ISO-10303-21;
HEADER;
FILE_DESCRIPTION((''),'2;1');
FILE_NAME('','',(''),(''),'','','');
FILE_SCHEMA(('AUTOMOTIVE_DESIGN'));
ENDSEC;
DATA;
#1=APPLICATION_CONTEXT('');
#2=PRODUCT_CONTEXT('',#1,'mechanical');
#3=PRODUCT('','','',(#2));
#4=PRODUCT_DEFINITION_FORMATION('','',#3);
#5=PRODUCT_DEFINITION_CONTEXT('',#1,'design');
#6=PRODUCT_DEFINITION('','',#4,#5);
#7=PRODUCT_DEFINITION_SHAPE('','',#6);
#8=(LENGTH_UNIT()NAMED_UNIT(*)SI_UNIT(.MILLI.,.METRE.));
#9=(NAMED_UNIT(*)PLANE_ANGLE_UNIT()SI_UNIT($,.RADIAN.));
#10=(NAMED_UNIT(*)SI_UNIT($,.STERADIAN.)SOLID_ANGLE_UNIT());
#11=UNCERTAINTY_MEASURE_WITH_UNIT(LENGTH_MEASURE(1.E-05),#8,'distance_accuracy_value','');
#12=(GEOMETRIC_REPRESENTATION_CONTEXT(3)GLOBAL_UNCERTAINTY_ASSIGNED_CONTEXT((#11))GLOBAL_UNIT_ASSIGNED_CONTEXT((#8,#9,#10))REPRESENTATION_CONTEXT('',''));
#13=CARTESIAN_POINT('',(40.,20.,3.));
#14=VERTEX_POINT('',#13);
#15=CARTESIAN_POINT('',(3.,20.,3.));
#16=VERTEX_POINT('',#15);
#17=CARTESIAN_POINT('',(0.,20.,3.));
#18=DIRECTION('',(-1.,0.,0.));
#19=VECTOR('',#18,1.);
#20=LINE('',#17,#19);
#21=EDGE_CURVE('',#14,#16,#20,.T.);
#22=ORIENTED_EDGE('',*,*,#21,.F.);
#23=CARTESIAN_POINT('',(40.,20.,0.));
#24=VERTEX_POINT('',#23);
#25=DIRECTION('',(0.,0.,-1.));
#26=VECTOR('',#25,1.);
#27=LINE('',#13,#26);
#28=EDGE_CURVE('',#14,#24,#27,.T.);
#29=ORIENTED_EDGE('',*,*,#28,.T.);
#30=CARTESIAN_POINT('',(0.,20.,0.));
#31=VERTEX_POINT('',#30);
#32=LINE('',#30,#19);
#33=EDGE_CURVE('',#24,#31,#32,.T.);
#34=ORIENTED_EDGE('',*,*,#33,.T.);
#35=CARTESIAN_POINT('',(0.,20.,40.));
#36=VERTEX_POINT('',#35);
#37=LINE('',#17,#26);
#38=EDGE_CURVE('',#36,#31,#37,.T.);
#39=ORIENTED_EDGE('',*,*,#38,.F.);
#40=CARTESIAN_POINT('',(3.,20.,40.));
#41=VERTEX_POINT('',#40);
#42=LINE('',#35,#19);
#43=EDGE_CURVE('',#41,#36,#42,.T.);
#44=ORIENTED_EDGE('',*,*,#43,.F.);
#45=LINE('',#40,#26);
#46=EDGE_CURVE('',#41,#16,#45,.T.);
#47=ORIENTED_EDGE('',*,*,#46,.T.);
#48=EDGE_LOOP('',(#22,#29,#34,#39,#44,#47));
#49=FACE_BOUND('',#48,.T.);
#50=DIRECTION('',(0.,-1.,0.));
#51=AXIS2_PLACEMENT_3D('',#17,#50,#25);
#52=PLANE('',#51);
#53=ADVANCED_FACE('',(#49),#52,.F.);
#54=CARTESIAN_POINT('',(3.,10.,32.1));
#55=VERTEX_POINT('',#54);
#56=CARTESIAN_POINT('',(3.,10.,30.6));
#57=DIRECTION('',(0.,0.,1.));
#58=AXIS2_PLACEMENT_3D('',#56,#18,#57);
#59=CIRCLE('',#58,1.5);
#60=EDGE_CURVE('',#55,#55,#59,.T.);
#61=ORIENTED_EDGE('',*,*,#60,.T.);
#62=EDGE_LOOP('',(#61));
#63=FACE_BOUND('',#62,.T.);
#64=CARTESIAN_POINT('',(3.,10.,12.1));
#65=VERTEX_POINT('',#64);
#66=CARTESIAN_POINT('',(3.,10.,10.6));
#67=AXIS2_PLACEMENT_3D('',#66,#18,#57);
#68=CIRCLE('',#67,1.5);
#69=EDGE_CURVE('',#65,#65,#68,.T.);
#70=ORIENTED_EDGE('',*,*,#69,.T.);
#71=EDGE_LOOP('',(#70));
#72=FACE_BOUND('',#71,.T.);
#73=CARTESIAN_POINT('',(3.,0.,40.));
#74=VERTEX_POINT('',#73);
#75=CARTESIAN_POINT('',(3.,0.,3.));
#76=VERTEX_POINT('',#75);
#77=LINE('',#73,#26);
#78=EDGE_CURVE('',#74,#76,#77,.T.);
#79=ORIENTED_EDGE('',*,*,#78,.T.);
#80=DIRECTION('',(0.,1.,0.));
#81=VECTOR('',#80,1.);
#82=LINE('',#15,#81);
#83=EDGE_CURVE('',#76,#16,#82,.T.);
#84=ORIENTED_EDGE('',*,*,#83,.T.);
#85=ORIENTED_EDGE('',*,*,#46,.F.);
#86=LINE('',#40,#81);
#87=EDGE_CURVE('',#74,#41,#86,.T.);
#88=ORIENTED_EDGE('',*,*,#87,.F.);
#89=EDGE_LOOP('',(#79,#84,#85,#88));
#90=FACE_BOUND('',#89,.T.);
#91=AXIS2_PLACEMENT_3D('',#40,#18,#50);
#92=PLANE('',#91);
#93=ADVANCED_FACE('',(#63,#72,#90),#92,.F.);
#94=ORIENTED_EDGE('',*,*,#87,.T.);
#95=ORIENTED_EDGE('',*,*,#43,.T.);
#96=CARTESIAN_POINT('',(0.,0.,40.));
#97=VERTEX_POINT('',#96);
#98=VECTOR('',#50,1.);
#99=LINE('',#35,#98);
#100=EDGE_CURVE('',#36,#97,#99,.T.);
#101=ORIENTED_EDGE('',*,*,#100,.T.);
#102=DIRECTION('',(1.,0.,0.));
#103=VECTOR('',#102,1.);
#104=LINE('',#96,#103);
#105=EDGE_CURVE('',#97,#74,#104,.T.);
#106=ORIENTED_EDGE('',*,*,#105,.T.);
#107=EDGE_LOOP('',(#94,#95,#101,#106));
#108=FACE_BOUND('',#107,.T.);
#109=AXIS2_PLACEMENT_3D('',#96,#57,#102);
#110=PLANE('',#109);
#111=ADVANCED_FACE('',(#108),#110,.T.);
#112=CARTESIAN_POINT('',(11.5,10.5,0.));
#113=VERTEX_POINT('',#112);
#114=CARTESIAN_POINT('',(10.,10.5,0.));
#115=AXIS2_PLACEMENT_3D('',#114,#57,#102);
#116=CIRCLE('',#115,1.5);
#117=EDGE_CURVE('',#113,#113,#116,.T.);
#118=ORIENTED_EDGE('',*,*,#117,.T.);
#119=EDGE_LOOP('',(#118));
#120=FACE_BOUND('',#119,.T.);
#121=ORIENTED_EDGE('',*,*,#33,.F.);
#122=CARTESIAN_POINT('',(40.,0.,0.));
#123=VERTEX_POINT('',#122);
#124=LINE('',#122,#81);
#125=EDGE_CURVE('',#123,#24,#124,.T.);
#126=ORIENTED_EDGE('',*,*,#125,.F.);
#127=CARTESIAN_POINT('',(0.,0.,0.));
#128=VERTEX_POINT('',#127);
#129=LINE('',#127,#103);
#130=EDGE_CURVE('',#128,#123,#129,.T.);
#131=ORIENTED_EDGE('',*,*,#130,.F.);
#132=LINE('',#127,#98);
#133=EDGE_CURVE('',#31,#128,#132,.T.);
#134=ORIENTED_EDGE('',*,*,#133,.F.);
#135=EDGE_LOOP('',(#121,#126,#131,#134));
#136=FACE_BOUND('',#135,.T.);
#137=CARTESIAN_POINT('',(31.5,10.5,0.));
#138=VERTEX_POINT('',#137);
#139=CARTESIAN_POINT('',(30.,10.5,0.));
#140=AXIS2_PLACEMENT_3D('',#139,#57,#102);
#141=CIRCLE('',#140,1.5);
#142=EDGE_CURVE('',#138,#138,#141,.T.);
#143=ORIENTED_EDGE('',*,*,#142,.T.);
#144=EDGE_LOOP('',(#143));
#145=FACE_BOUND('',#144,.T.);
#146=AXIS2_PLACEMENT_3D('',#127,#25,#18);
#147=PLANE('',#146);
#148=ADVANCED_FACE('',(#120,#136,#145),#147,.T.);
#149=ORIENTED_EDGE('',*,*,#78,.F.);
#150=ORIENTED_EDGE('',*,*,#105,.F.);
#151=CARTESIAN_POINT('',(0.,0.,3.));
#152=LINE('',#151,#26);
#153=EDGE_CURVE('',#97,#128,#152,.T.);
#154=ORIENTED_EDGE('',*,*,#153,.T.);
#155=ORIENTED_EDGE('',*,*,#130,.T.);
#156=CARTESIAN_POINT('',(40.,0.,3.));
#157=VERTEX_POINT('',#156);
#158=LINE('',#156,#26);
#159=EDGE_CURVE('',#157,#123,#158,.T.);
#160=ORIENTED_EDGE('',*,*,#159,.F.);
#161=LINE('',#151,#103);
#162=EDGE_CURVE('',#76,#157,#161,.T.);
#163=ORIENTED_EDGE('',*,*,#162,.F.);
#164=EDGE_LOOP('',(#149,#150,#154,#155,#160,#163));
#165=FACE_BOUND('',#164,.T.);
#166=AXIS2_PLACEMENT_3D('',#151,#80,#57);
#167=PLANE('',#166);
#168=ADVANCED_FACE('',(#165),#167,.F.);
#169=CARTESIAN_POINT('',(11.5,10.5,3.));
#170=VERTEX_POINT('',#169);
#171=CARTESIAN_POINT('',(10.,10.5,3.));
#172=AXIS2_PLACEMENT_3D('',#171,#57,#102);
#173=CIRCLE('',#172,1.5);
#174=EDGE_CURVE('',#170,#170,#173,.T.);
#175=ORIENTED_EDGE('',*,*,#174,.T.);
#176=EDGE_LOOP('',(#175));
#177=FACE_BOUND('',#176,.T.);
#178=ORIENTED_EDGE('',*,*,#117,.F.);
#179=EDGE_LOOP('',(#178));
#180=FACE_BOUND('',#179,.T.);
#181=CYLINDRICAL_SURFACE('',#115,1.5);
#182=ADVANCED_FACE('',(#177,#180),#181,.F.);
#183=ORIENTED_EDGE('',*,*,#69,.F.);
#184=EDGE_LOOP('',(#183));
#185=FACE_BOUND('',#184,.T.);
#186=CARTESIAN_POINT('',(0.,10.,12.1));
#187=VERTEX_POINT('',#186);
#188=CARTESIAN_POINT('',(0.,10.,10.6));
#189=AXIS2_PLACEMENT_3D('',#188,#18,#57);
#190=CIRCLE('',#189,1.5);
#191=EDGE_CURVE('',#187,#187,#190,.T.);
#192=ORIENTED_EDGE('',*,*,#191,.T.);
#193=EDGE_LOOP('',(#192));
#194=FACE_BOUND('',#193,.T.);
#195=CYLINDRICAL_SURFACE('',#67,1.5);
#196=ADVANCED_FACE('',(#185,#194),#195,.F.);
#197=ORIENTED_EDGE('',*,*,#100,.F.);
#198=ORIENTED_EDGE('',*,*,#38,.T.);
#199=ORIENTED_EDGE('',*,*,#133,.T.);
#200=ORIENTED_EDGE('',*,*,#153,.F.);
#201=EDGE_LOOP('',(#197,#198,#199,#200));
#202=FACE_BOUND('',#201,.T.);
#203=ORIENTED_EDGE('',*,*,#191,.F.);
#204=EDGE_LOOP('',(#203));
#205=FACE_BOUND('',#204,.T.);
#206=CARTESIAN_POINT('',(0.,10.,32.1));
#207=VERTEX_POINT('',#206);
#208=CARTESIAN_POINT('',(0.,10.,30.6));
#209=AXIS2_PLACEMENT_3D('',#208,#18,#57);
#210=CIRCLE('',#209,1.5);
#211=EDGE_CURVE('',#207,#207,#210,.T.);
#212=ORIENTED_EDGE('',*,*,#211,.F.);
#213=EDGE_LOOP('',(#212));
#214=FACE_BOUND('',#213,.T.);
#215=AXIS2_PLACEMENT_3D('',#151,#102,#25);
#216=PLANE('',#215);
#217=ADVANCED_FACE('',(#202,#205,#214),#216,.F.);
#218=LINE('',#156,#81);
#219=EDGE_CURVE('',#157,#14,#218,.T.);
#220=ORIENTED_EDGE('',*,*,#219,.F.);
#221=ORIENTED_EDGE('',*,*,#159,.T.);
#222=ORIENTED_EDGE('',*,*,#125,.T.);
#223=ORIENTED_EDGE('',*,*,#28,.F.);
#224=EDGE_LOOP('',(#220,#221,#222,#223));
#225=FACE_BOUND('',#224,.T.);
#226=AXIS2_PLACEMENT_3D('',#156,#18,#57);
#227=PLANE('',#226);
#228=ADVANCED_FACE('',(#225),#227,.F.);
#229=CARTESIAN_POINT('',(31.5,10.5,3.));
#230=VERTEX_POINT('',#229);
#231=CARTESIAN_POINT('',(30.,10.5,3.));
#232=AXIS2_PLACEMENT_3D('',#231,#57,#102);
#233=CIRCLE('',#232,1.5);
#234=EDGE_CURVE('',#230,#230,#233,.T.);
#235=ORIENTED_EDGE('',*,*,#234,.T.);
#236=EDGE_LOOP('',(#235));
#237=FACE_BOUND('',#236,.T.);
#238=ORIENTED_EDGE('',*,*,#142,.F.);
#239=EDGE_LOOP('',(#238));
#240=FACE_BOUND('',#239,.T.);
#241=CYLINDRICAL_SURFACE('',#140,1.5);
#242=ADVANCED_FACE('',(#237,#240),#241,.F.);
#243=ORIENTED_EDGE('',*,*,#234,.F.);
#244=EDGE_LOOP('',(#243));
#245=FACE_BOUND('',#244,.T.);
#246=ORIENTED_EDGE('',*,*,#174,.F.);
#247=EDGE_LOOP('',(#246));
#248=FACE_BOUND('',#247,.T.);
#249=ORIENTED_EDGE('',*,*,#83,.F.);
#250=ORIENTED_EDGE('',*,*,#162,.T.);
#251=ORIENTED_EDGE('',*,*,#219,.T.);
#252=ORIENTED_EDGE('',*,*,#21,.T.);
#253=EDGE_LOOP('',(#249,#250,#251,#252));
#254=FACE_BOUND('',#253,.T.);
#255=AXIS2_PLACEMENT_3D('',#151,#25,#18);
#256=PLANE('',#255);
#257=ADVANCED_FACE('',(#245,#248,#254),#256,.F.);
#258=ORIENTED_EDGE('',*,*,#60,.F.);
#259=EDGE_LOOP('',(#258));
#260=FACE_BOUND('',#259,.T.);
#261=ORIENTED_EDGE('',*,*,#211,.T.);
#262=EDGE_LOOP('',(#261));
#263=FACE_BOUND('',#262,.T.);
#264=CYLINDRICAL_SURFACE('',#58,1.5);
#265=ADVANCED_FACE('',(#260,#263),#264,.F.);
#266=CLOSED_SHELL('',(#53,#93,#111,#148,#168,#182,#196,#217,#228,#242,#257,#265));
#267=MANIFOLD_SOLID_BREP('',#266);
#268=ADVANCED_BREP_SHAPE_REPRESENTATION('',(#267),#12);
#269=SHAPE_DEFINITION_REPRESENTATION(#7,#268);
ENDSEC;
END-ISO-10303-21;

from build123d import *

# Parameters (mm, degrees)
ESQUISSE1_W             = 40
ESQUISSE1_H             = 20
BOSS_EXTRU_1_DEPTH      = 3
ESQUISSE2_R             = 1.5
ENL_V_MAT_EXTRU_1_DEPTH = 3
ESQUISSE3_W             = 3
ESQUISSE3_H             = 20
BOSS_EXTRU_2_DEPTH      = 37
ESQUISSE4_R             = 1.5
ENL_V_MAT_EXTRU_2_DEPTH = 3


with BuildPart() as part:
    # Esquisse1 → Boss.-Extru.1 (new body)
    with BuildSketch(Plane.XY):
        with Locations((20, 10)):
            Rectangle(ESQUISSE1_W, ESQUISSE1_H)
    extrude(amount=BOSS_EXTRU_1_DEPTH)

    # Esquisse2 → Enlèv. mat.-Extru.1 (cut)
    with BuildSketch(Plane.XY.offset(3)):
        with Locations((10, 10.5)):
            Circle(ESQUISSE2_R)
        with Locations((30, 10.5)):
            Circle(ESQUISSE2_R)
    extrude(amount=-ENL_V_MAT_EXTRU_1_DEPTH, mode=Mode.SUBTRACT)

    # Esquisse3 → Boss.-Extru.2 (add)
    with BuildSketch(Plane.XY.offset(3)):
        with Locations((1.5, 10)):
            Rectangle(ESQUISSE3_W, ESQUISSE3_H)
    extrude(amount=BOSS_EXTRU_2_DEPTH)

    # Esquisse4 → Enlèv. mat.-Extru.2 (cut)
    with BuildSketch(Plane.ZY):
        with Locations((10.6, 10)):
            Circle(ESQUISSE4_R)
        with Locations((30.6, 10)):
            Circle(ESQUISSE4_R)
    extrude(amount=-ENL_V_MAT_EXTRU_2_DEPTH, mode=Mode.SUBTRACT)


solid = part.part
